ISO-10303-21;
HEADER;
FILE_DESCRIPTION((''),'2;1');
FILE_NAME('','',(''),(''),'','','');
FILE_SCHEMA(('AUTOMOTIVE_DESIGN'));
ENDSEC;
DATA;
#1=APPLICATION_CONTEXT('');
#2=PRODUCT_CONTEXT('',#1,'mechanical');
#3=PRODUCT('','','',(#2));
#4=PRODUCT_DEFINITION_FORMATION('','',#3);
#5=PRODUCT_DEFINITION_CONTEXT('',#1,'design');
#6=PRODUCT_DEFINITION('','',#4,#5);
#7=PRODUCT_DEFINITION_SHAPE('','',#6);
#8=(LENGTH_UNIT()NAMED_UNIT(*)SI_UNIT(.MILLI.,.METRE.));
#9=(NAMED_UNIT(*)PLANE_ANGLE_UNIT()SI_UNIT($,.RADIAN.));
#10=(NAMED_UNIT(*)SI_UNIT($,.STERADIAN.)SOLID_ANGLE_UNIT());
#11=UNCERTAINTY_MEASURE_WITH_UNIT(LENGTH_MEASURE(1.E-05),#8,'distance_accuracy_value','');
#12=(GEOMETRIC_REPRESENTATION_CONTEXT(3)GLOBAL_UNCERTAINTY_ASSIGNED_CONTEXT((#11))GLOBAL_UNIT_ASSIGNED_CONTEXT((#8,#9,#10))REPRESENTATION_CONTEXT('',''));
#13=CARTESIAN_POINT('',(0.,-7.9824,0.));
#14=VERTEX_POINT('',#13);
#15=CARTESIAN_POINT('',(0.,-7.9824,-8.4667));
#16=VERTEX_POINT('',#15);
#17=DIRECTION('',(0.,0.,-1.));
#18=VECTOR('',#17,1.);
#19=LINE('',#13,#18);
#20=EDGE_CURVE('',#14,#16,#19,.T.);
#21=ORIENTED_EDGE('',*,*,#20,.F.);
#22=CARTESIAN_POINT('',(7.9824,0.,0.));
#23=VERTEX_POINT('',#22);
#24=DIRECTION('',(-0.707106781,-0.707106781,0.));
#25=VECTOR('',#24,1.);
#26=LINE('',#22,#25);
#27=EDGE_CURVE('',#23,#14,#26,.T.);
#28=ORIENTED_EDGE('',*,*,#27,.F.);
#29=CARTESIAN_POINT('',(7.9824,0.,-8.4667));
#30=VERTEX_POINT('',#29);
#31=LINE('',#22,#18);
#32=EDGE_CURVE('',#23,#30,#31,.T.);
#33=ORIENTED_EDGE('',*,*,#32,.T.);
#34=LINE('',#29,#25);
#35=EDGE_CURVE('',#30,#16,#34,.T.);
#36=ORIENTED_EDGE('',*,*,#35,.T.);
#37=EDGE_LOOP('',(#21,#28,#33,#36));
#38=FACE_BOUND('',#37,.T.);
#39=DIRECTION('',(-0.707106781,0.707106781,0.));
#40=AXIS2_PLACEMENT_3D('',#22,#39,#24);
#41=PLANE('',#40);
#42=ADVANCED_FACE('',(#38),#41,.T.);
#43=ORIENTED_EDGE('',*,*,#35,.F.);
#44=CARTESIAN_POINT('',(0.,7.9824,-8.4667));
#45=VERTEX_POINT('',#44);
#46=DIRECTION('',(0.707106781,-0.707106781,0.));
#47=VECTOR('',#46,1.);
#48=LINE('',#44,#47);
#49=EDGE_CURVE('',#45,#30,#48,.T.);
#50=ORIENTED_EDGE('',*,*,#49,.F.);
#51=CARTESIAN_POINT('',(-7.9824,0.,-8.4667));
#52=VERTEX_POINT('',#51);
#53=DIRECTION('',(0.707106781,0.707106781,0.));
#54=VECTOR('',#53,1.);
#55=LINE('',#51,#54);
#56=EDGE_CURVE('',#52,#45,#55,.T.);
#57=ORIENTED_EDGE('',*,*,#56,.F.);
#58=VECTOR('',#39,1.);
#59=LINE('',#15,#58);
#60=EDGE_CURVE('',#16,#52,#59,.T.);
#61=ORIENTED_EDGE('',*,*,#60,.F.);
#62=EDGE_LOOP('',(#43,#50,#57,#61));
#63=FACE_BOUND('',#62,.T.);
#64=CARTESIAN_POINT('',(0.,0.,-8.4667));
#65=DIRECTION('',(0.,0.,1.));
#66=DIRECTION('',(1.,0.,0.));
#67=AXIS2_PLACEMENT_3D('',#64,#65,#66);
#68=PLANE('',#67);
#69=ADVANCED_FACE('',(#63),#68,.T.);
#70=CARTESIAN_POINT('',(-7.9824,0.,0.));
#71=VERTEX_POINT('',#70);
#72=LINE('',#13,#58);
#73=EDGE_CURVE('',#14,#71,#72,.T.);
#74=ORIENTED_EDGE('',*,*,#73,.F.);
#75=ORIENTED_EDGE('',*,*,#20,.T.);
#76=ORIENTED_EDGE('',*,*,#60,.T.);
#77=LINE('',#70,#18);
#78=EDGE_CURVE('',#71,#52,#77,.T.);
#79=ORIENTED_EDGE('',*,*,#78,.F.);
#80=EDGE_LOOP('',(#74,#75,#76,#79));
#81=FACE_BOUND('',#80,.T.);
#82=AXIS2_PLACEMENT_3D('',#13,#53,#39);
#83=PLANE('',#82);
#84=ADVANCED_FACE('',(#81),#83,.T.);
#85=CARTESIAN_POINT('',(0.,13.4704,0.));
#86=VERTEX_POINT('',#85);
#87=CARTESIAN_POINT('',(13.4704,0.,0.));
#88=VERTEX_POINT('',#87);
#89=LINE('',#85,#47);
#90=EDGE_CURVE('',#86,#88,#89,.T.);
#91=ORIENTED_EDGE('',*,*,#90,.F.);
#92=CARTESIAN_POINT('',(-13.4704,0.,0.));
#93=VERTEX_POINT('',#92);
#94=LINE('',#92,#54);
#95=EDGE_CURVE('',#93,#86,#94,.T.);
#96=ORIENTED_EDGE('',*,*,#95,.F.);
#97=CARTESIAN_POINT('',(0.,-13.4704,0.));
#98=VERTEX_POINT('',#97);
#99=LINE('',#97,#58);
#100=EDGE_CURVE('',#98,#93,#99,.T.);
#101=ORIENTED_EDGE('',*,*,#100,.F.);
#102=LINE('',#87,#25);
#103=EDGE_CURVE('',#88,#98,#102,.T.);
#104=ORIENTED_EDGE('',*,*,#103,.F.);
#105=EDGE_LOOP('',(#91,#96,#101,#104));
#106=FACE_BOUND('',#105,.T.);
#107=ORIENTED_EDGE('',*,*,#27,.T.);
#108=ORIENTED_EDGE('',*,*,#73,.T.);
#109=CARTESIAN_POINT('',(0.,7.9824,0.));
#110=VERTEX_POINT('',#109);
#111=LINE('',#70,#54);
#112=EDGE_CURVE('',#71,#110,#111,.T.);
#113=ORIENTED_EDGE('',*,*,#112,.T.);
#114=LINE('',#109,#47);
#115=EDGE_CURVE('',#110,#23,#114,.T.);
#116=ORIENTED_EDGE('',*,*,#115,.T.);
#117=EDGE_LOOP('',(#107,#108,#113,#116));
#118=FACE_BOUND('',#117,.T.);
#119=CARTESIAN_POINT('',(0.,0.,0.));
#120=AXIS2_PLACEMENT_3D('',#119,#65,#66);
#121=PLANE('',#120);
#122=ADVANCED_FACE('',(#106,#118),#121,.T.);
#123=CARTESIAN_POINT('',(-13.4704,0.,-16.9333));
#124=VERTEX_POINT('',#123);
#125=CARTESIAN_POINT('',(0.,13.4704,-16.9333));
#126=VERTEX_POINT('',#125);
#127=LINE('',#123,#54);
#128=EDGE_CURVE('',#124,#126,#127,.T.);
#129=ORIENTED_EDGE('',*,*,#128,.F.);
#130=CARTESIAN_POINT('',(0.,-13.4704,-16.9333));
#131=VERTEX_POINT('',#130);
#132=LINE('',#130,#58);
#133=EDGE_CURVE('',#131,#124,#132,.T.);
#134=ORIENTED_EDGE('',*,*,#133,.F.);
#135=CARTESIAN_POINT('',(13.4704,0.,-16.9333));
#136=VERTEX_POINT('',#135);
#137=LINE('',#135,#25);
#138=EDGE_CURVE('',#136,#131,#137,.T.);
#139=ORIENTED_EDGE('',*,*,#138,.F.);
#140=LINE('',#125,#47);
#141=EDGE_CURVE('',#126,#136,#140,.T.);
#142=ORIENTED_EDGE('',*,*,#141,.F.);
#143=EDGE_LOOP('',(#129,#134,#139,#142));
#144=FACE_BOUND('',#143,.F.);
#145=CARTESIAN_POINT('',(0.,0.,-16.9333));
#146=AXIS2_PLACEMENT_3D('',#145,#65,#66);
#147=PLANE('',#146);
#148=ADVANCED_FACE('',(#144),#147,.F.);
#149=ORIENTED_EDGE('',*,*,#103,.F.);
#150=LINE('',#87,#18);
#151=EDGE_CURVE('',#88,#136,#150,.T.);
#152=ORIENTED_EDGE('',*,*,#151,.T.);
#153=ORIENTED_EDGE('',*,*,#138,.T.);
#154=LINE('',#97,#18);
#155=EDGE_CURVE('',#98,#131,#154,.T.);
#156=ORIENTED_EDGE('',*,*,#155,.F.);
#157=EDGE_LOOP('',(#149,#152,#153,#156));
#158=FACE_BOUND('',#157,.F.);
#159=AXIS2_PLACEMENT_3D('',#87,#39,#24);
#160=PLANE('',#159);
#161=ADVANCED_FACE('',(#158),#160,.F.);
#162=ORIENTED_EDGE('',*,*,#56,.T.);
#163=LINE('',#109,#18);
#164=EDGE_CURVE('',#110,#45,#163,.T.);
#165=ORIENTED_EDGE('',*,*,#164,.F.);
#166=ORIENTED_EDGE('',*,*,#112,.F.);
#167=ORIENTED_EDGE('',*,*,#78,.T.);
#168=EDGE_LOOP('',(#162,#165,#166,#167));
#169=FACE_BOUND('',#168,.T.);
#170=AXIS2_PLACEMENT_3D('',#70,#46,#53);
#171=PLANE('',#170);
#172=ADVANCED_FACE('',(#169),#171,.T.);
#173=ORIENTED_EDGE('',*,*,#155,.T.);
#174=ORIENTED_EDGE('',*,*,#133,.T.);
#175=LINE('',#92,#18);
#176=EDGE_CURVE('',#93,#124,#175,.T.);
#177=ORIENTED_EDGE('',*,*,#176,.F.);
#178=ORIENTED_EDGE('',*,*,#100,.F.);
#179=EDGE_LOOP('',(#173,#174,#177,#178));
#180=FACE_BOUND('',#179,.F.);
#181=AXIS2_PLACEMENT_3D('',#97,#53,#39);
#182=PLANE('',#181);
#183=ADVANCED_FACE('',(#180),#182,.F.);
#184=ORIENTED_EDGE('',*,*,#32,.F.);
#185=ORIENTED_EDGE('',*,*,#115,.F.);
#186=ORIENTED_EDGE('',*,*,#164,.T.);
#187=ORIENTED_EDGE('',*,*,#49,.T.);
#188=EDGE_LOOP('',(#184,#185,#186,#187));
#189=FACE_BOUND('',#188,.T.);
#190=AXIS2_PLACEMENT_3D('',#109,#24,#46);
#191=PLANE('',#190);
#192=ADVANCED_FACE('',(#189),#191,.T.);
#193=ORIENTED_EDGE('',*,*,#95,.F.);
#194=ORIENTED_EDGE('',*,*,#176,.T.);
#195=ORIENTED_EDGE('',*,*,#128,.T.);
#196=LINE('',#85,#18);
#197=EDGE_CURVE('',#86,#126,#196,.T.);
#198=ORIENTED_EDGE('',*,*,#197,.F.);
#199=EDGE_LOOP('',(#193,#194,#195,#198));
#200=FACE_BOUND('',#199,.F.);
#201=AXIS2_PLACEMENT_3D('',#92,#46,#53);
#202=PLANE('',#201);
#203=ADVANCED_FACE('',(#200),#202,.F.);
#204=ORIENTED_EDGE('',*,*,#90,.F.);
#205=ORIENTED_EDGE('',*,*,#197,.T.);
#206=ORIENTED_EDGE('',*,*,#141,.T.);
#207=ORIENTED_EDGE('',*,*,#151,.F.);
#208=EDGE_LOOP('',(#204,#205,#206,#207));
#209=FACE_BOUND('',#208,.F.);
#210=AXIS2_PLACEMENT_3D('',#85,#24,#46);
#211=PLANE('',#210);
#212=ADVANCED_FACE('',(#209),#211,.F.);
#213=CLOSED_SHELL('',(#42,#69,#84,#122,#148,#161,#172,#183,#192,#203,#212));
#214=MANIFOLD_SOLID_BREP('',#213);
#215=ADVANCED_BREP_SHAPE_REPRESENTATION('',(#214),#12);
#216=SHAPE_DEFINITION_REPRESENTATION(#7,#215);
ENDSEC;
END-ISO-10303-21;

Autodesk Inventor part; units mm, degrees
ref_plane "YZ Plane" through (0, 0, 0) normal (1, 0, 0) x (0, 1, 0)
ref_plane "XZ Plane" through (0, 0, 0) normal (0, 1, 0) x (-1, 0, 0)
ref_plane "XY Plane" through (0, 0, 0) normal (0, 0, 1) x (1, 0, 0)
sketch "Sketch1" plane through (0, 0, 0) normal (0, 0, 1) x (1, 0, 0)
  line L0 (13.4704, 0) -> (0, -13.4704)
  line L1 (0, -13.4704) -> (-13.4704, 0)
  line L2 (-13.4704, 0) -> (0, 13.4704)
  line L3 (0, 13.4704) -> (13.4704, 0)
  line L4 (0, 0) -> (0, 13.4704) construction
  dimension "d0" = 19.05
extrude "Extrusion1" add sketch "Sketch1" against normal blind 16.9333
sketch "Sketch2" plane through (0, 0, -16.9333) normal (0, 0, -1) x (-1, 0, 0)
  circle A0 centre (0, 0) radius 4
  dimension "d3" = 8
sketch "Sketch3" plane through (0, 0, 0) normal (0, 0, 1) x (1, 0, 0)
  line L0 (0, 7.9824) -> (7.9824, 0)
  line L1 (7.9824, 0) -> (0, -7.9824)
  line L2 (0, -7.9824) -> (-7.9824, 0)
  line L3 (-7.9824, 0) -> (0, 7.9824)
  line L4 (-7.9824, 0) -> (0, 0) construction
  dimension "d4" = 11.2889
extrude "Extrusion2" cut sketch "Sketch3" against normal blind 8.4667
properties part number "Driver Shaft"
